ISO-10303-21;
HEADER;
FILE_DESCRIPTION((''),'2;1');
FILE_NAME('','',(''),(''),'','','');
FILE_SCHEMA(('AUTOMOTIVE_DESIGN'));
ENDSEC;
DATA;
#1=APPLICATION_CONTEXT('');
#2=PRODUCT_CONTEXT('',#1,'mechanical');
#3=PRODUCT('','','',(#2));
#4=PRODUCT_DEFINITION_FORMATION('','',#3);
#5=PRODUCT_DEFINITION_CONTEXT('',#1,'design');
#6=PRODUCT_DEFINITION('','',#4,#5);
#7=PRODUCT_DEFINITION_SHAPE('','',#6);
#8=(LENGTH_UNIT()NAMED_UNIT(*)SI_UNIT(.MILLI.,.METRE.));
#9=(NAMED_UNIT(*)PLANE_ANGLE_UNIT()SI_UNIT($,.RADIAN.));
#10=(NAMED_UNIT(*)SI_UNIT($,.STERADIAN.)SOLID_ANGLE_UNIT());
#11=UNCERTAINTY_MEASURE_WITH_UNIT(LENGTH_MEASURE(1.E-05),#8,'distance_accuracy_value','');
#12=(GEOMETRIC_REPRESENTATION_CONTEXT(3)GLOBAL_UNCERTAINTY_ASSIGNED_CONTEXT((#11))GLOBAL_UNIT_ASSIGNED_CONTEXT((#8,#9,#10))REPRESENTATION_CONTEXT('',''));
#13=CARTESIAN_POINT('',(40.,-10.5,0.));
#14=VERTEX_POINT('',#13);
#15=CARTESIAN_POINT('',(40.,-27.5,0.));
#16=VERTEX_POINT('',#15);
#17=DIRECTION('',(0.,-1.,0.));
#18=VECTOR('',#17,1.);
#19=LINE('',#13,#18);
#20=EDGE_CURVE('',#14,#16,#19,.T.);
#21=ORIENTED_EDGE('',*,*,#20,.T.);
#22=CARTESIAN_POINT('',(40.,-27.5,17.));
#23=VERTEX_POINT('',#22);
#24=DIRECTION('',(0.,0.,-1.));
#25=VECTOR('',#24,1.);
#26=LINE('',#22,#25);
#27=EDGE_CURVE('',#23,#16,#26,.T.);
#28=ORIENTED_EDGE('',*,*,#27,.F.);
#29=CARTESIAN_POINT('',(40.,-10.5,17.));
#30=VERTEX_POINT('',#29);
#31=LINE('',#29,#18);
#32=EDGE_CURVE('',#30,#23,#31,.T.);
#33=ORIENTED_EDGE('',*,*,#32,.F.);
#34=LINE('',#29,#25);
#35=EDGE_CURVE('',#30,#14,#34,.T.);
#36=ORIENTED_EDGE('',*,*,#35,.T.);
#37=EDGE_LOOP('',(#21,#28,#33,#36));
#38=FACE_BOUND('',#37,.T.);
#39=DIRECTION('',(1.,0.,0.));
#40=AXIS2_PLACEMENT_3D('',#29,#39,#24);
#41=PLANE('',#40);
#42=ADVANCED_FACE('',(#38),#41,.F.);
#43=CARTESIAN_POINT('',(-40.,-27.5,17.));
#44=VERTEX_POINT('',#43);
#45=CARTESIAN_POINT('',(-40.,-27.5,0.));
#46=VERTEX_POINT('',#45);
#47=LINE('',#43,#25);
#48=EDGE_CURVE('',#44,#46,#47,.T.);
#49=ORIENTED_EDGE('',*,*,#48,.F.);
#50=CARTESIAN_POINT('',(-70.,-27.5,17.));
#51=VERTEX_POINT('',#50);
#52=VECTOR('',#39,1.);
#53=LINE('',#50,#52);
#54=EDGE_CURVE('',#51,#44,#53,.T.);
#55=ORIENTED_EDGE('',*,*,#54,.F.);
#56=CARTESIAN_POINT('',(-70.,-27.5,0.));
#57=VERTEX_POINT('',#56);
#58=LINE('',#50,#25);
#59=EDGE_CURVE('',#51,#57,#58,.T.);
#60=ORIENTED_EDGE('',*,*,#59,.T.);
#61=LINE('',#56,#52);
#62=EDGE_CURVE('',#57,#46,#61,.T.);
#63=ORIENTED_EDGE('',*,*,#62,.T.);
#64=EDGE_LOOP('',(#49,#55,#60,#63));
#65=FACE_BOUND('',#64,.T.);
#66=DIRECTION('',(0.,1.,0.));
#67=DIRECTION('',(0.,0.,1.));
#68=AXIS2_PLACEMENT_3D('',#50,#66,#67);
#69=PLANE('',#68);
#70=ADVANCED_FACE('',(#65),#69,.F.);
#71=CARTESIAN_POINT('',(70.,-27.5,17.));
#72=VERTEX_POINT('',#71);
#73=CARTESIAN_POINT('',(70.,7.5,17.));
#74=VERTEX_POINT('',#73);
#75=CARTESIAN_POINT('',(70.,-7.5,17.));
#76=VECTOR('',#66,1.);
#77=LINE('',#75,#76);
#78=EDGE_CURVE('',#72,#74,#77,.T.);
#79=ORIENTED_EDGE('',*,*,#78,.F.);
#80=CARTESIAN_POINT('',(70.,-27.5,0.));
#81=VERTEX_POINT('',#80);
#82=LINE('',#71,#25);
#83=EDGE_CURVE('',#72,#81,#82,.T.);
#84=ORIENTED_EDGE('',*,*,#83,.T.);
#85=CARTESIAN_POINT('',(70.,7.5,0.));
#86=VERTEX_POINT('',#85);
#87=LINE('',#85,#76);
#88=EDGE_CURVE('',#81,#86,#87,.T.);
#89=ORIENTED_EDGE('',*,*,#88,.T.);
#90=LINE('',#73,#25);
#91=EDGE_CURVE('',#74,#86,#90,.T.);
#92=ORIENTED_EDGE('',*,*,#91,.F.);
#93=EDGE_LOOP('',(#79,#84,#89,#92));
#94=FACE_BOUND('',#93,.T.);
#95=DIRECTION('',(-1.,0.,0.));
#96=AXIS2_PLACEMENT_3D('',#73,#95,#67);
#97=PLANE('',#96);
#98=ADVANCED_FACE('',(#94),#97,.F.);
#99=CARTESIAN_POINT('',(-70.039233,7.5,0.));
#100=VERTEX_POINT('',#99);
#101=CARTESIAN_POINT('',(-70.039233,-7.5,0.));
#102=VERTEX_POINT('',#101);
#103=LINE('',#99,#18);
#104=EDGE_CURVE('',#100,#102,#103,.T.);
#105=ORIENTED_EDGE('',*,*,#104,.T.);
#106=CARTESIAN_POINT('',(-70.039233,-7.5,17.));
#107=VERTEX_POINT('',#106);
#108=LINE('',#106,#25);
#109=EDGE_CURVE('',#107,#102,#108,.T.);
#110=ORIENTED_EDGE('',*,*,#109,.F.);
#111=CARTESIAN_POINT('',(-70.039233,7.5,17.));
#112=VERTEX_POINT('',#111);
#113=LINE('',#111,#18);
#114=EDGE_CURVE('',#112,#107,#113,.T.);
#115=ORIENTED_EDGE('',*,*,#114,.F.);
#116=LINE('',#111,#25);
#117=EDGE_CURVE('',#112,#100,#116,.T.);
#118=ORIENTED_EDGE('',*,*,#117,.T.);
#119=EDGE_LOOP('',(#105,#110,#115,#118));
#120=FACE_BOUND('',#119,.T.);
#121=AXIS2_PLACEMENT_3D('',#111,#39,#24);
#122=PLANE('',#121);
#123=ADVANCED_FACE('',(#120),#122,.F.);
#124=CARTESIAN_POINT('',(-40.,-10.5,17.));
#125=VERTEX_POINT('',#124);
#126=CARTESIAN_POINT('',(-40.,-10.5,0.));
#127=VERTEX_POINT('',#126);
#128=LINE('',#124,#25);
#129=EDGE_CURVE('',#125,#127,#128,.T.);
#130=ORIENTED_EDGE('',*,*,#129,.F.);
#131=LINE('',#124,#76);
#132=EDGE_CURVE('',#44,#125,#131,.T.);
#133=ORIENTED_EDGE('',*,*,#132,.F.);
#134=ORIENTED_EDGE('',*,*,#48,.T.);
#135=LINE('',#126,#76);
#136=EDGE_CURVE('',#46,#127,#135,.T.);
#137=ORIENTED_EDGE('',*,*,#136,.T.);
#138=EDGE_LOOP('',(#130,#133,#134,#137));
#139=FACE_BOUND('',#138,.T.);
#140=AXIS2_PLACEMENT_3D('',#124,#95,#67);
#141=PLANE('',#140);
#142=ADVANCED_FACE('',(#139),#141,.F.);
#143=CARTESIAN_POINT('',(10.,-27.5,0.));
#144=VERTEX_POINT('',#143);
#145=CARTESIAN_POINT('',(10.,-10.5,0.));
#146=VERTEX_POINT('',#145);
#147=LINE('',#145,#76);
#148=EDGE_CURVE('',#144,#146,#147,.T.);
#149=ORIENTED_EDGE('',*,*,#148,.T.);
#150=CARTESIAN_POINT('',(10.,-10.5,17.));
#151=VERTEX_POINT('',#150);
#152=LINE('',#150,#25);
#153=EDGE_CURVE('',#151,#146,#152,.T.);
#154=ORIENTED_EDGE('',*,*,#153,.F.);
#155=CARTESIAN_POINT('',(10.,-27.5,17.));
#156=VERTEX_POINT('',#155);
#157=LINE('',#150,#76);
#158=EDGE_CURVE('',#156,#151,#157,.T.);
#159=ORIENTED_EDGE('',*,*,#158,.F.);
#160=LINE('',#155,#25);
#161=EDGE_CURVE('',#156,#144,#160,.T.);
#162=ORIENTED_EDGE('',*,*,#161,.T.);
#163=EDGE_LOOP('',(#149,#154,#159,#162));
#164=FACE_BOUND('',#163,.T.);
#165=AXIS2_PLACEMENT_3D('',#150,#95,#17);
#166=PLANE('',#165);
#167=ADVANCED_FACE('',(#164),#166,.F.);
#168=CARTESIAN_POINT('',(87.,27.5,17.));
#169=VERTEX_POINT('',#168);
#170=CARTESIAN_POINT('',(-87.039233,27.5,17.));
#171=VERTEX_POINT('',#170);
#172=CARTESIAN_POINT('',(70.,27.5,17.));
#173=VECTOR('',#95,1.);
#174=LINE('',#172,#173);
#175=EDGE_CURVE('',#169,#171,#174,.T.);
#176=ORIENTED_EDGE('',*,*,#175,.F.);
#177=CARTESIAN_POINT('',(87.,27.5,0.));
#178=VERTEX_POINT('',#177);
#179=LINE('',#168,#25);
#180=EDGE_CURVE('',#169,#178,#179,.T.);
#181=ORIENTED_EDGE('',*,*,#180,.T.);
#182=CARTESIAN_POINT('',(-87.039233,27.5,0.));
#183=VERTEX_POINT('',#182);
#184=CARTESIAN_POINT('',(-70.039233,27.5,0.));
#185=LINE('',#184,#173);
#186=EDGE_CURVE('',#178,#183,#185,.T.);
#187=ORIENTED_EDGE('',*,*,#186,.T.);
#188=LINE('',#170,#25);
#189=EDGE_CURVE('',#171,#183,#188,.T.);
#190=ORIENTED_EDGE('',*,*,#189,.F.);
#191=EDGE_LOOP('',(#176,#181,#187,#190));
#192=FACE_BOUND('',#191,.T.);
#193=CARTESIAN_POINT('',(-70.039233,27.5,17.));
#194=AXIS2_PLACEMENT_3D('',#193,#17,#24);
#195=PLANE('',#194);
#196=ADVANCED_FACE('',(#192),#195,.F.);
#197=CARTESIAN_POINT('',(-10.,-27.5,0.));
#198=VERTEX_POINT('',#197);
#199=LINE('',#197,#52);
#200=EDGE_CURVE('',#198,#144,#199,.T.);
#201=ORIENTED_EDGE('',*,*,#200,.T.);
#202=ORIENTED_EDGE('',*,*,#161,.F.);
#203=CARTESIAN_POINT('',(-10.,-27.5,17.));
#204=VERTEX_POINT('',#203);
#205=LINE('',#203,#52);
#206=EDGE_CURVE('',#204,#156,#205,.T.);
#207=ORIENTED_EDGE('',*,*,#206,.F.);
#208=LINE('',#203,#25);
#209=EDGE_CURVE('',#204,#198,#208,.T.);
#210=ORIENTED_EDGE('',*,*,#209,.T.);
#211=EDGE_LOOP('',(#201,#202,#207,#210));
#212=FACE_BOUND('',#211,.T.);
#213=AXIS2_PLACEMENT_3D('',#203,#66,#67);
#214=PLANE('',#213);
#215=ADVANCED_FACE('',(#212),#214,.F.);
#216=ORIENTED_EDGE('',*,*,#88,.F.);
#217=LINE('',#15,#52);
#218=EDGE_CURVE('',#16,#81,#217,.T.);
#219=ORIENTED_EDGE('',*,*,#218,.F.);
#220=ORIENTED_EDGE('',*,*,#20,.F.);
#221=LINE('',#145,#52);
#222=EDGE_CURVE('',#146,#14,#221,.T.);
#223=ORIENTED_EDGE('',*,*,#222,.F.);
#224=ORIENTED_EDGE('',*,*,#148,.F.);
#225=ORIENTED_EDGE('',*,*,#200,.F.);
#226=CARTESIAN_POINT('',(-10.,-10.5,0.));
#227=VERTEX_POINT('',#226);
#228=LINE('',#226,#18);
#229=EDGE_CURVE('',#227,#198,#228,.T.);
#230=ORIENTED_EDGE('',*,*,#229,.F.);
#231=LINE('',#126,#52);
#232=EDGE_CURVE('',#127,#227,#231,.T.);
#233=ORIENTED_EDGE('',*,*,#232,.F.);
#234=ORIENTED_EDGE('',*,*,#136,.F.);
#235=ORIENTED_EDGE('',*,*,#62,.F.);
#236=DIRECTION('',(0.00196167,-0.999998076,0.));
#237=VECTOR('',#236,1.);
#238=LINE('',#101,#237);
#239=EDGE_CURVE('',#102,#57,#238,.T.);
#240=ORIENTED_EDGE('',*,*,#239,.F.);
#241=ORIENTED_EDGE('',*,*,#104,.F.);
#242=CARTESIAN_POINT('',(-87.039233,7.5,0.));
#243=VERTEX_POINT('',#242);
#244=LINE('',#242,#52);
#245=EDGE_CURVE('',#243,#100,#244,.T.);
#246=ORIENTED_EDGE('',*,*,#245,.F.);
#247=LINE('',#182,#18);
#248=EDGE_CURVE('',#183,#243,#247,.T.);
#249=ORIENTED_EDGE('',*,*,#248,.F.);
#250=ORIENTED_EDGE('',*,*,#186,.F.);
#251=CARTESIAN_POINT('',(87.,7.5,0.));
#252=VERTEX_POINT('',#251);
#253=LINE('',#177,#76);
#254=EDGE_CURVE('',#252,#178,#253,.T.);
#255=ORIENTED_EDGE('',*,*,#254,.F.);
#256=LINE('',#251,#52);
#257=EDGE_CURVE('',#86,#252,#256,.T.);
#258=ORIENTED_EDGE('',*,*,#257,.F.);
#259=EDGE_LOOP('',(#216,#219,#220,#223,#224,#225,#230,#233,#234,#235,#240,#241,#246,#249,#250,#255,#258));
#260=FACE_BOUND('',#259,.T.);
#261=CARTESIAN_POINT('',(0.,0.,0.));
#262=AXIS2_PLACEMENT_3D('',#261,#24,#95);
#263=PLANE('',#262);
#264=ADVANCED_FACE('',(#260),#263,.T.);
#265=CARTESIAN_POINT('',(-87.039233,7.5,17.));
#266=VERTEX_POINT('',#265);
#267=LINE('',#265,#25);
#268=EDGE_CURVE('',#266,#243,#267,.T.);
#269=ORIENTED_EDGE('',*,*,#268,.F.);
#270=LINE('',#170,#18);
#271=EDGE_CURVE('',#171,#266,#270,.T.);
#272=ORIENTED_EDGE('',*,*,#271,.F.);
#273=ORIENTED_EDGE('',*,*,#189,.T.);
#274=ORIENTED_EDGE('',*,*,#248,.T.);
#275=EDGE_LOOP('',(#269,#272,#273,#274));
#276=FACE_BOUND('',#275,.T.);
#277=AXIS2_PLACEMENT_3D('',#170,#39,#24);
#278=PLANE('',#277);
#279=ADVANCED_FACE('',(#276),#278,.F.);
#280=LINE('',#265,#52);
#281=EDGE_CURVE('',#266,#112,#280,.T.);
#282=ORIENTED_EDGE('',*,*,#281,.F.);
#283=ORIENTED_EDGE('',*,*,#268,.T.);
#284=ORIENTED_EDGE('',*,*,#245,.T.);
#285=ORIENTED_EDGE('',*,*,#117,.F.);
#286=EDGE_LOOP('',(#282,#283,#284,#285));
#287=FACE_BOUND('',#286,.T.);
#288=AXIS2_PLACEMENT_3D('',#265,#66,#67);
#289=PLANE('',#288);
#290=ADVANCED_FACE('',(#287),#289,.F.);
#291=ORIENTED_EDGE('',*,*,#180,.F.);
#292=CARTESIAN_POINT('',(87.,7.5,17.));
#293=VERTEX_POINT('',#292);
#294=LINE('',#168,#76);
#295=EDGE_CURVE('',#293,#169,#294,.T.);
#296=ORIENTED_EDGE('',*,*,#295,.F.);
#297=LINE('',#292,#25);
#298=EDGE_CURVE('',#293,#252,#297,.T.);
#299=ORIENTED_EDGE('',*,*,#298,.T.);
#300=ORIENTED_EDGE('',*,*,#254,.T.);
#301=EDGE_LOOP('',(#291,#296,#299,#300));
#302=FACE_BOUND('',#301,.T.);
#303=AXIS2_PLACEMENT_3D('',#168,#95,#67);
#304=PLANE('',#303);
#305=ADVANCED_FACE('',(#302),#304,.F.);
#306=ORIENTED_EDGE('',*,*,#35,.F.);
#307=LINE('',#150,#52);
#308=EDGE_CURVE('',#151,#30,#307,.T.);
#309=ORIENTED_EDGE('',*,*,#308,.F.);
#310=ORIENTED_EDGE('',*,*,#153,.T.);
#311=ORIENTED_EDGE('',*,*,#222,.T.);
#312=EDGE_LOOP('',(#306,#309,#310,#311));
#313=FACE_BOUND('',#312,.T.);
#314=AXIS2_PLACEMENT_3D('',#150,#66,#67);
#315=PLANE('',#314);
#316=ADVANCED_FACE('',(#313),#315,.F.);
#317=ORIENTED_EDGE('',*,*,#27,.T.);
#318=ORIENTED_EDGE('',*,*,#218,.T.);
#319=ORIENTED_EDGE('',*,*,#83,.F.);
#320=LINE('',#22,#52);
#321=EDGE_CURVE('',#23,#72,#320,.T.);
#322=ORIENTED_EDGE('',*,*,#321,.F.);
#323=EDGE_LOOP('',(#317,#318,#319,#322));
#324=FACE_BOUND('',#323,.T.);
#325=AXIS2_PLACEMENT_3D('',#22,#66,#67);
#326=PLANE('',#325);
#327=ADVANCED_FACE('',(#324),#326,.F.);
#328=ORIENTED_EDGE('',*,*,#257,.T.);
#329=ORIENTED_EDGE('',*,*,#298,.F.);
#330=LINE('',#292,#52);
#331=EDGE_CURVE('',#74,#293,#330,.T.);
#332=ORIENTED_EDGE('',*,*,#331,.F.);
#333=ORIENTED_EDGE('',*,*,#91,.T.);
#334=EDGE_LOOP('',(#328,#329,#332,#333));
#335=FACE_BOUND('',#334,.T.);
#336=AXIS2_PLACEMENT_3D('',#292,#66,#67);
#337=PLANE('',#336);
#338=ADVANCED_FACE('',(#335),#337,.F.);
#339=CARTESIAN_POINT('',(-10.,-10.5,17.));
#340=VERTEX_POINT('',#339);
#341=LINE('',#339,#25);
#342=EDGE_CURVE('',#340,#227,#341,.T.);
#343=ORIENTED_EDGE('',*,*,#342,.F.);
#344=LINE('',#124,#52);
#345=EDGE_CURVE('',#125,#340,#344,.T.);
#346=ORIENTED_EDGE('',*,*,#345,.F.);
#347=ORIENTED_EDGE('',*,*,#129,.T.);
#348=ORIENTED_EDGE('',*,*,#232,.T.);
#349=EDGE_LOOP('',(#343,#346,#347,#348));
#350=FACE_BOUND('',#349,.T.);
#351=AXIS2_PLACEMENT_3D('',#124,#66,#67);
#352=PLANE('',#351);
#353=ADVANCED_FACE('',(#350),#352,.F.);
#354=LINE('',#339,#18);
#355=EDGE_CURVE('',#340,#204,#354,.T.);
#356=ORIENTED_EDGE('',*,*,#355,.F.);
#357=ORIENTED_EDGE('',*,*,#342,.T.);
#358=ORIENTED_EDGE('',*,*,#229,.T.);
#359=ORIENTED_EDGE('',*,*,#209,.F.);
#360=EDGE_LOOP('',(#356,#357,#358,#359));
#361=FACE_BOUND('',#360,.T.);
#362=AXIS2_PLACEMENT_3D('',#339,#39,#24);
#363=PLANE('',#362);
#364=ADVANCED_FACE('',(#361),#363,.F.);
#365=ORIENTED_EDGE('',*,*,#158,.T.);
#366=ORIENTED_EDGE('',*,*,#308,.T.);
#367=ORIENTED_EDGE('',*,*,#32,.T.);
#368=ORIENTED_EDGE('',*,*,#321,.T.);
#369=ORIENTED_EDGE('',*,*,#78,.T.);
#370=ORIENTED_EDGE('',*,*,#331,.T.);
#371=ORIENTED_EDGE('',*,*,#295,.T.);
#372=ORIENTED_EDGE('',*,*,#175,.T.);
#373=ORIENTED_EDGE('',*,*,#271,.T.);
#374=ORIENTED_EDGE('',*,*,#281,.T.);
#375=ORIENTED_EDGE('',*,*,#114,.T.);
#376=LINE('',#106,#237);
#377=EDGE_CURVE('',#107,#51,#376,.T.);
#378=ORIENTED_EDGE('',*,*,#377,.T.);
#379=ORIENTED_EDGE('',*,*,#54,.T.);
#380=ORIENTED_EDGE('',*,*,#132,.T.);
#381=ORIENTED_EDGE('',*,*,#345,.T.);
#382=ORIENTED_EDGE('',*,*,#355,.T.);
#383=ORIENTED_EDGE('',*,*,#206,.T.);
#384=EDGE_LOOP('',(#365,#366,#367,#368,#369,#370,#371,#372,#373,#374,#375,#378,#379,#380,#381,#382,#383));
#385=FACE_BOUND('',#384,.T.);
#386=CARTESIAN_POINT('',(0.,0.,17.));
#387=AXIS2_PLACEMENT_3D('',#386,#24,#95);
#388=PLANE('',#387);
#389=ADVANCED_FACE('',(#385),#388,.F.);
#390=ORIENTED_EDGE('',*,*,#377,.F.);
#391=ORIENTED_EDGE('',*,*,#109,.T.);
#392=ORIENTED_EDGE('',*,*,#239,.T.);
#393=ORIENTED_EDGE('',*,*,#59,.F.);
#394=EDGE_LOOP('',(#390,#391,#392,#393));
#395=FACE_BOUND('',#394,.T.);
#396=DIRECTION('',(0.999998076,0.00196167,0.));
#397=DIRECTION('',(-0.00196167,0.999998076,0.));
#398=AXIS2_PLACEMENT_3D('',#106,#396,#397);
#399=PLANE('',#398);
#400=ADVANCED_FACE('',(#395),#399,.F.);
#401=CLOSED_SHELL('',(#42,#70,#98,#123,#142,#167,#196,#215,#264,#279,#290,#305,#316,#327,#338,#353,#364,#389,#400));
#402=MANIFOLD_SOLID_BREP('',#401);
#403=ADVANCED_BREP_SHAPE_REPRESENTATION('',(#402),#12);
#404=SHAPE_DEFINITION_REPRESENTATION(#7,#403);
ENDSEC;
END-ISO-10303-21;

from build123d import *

# Parameters (mm, degrees)
BOSS_EXTRUDE1_DEPTH = 17


with BuildPart() as part:
    # Sketch1 → Boss-Extrude1 (new body)
    with BuildSketch(Plane.XY):
        Polygon((-70.039233477, 27.5), (-87.039233477, 27.5), (-87.039233477, 7.5), (-70.039233477, 7.5), (-70.039233477, -7.5), (-70, -27.5), (-40, -27.5), (-40, -10.5), (-10, -10.5), (-10, -27.5), (10, -27.5), (10, -10.5), (40, -10.5), (40, -27.5), (70, -27.5), (70, -7.5), (70, 7.5), (87, 7.5), (87, 27.5), (70, 27.5), align=None)
    extrude(amount=BOSS_EXTRUDE1_DEPTH)


solid = part.part
